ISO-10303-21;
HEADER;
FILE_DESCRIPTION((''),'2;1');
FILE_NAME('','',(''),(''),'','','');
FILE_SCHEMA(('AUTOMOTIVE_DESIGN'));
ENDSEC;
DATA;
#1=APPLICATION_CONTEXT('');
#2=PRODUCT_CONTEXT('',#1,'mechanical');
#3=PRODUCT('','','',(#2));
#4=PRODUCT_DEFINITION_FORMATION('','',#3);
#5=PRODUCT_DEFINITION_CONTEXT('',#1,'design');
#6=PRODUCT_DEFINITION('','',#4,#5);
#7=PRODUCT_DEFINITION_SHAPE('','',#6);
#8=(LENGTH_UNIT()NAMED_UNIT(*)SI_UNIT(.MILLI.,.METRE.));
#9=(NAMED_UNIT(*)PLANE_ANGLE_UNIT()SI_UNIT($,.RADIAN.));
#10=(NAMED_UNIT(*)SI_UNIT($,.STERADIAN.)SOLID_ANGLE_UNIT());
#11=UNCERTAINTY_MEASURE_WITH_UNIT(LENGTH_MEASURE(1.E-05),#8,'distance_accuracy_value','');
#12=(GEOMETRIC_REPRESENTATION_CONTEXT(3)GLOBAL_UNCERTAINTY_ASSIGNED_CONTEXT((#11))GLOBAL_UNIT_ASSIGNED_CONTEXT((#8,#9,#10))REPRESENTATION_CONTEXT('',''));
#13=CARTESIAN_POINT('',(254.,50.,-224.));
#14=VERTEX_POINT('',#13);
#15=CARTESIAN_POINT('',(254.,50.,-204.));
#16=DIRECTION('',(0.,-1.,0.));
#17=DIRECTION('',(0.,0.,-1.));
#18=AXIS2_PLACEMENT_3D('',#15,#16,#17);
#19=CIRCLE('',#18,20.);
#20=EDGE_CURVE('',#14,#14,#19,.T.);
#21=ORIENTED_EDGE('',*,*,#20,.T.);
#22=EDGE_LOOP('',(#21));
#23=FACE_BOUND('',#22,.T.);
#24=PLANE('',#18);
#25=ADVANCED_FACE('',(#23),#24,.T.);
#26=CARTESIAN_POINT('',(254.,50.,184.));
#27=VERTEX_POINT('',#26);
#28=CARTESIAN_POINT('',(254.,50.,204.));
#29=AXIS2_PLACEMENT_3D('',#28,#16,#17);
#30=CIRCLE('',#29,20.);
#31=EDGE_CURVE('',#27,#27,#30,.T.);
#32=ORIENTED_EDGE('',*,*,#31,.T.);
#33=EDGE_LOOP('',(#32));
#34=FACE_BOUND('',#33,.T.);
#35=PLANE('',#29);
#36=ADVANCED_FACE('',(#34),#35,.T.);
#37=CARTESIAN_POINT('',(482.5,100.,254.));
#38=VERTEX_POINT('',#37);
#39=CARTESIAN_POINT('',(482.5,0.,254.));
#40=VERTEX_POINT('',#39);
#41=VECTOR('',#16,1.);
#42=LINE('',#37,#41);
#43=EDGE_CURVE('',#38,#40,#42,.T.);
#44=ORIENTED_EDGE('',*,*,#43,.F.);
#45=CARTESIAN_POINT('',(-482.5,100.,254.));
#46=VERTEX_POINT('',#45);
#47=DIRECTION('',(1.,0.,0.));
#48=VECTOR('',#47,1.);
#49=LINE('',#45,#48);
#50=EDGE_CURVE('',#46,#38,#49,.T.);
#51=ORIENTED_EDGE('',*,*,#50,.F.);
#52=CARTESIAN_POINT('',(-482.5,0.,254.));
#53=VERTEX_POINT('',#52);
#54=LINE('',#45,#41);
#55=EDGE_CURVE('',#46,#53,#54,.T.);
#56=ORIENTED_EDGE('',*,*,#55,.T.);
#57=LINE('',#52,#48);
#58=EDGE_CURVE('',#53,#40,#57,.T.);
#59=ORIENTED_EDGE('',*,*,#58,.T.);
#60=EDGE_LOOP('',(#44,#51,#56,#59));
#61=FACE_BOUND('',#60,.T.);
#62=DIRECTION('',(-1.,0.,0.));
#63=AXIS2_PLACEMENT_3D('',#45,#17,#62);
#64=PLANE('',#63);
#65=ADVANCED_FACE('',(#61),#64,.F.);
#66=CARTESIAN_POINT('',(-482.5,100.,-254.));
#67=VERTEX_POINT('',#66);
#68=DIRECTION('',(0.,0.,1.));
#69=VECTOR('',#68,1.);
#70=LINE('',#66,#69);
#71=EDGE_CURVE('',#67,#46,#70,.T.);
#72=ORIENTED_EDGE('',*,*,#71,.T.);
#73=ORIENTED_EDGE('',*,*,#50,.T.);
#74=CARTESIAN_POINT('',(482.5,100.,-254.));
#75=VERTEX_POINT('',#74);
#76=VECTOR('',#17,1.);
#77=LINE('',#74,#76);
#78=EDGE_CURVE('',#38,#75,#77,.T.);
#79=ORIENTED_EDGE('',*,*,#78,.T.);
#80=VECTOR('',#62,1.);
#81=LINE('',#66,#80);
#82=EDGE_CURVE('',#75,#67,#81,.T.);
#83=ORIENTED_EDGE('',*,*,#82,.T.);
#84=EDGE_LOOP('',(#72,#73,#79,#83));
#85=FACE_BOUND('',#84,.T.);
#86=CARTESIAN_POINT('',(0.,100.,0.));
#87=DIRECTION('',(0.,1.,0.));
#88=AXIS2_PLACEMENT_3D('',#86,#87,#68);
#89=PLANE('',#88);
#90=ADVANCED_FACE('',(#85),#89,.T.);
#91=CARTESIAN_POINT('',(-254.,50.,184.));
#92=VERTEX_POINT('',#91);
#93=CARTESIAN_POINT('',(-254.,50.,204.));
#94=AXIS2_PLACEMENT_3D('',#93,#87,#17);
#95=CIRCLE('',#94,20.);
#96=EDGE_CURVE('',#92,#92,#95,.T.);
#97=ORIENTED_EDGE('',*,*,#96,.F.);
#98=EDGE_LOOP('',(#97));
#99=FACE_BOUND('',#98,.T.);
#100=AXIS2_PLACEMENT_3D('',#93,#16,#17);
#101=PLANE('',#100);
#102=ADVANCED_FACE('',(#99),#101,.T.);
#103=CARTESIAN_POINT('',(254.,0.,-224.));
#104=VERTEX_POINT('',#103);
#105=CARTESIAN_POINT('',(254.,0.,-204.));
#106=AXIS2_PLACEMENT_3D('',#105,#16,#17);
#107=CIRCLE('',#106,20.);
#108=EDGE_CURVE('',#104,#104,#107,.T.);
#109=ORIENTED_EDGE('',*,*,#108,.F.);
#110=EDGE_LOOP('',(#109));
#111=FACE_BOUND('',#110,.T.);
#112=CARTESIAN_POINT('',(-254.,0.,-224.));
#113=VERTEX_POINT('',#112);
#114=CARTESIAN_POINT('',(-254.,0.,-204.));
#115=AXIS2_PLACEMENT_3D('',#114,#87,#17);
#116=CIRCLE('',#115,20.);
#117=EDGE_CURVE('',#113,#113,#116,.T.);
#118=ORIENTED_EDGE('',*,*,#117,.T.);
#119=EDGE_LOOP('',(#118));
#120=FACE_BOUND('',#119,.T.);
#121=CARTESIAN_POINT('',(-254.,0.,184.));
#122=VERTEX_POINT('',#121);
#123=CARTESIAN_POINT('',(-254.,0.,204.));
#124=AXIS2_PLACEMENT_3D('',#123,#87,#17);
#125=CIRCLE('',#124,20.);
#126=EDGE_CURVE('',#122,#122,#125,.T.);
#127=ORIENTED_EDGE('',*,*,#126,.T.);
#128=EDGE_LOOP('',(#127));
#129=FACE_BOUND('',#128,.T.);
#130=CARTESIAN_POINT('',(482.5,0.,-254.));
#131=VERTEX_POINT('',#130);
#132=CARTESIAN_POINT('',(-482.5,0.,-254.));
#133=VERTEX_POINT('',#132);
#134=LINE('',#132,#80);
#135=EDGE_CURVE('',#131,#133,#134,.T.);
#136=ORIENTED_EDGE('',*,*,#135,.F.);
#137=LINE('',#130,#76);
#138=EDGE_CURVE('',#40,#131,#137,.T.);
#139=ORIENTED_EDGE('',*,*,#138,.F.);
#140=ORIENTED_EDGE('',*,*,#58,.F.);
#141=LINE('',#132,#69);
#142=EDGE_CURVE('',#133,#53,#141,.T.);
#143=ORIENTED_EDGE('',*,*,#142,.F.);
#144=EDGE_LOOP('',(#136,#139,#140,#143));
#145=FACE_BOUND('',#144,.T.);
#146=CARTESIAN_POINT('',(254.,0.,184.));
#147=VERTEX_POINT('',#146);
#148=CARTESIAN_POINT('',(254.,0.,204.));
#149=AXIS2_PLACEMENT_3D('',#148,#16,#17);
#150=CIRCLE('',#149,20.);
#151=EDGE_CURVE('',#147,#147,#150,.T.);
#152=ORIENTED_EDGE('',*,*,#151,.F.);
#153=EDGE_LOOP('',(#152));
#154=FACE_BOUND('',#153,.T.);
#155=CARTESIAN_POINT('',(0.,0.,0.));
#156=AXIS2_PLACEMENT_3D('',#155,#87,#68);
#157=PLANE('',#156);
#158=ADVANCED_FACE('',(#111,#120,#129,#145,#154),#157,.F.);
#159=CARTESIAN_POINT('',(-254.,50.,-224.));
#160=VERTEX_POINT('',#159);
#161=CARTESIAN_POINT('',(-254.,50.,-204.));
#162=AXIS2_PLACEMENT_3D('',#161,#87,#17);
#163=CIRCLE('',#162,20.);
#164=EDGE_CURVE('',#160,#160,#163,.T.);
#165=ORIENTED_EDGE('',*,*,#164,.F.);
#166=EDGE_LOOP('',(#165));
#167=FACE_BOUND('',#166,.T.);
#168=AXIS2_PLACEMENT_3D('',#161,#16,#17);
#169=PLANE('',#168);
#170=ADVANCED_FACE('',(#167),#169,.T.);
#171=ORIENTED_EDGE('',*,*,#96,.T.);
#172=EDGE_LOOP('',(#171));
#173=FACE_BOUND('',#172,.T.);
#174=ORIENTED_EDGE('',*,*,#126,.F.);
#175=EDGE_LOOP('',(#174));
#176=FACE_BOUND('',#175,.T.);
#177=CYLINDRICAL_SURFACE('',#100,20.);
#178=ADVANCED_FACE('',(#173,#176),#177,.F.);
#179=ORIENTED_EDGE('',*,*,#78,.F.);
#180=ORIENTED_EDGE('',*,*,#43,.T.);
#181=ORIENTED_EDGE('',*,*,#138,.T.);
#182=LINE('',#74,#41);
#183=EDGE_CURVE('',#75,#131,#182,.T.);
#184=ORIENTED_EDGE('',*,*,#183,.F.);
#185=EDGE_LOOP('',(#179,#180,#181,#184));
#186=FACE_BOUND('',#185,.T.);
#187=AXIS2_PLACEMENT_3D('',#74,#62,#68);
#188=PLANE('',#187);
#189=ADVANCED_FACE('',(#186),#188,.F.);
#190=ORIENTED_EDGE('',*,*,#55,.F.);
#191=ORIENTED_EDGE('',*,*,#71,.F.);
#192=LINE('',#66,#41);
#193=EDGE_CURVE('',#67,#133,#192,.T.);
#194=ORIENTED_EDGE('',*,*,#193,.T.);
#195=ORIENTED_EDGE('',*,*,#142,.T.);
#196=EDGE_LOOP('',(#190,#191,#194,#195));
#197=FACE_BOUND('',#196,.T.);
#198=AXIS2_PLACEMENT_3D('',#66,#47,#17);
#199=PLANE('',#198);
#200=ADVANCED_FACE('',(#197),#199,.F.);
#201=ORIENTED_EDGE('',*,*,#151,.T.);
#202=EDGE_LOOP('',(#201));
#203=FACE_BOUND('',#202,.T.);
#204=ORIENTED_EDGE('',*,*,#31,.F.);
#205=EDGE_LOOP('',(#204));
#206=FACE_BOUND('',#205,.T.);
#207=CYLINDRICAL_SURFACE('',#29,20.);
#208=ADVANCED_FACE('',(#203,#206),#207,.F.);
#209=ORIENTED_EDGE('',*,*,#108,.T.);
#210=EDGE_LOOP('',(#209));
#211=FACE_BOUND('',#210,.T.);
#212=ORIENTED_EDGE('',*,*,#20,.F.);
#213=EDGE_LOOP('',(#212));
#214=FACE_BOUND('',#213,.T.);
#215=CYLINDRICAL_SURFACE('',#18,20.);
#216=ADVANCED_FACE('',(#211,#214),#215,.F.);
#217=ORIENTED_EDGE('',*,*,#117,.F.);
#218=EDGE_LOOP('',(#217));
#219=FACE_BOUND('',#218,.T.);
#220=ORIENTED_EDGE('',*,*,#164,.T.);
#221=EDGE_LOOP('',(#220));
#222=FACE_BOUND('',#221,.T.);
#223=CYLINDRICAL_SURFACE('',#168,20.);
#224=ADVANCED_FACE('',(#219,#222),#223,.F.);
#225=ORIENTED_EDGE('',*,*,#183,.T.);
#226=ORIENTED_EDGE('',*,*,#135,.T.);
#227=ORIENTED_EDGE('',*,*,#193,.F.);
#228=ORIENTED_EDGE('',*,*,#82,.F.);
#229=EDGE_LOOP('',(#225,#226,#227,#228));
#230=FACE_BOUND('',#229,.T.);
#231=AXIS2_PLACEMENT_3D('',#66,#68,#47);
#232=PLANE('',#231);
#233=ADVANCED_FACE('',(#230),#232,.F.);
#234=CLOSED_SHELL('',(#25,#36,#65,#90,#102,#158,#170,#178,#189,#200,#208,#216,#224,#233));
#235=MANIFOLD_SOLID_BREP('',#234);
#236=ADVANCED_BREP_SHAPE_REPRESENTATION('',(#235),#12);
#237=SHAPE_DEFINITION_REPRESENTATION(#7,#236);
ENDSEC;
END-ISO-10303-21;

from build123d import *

# Parameters (mm, degrees)
SKETCH1_W           = 965
SKETCH1_H           = 508
BOSS_EXTRUDE1_DEPTH = 100
SKETCH5_R           = 20
CUT_EXTRUDE1_DEPTH  = 50


with BuildPart() as part:
    # Sketch1 → Boss-Extrude1 (new body)
    with BuildSketch(Plane(origin=(0, 0, 0), x_dir=(1, 0, 0), z_dir=(0, 1, 0))):
        Rectangle(SKETCH1_W, SKETCH1_H)
    extrude(amount=BOSS_EXTRUDE1_DEPTH)

    # Sketch5 → Cut-Extrude1 (cut)
    with BuildSketch(Plane.XZ):
        with Locations(Location((254, 204, 0), (0, 0, 270))):
            Circle(SKETCH5_R)
        with Locations(Location((254, -204, 0), (0, 0, 270))):
            Circle(SKETCH5_R)
    cut_extrude1 = extrude(amount=-CUT_EXTRUDE1_DEPTH, mode=Mode.SUBTRACT)

    # Mirror1: Cut-Extrude1 across plane
    add(cut_extrude1.mirror(Plane(origin=(0, 0, 0), x_dir=(0, 0, 1), z_dir=(1, 0, 0))), mode=Mode.SUBTRACT)


solid = part.part
